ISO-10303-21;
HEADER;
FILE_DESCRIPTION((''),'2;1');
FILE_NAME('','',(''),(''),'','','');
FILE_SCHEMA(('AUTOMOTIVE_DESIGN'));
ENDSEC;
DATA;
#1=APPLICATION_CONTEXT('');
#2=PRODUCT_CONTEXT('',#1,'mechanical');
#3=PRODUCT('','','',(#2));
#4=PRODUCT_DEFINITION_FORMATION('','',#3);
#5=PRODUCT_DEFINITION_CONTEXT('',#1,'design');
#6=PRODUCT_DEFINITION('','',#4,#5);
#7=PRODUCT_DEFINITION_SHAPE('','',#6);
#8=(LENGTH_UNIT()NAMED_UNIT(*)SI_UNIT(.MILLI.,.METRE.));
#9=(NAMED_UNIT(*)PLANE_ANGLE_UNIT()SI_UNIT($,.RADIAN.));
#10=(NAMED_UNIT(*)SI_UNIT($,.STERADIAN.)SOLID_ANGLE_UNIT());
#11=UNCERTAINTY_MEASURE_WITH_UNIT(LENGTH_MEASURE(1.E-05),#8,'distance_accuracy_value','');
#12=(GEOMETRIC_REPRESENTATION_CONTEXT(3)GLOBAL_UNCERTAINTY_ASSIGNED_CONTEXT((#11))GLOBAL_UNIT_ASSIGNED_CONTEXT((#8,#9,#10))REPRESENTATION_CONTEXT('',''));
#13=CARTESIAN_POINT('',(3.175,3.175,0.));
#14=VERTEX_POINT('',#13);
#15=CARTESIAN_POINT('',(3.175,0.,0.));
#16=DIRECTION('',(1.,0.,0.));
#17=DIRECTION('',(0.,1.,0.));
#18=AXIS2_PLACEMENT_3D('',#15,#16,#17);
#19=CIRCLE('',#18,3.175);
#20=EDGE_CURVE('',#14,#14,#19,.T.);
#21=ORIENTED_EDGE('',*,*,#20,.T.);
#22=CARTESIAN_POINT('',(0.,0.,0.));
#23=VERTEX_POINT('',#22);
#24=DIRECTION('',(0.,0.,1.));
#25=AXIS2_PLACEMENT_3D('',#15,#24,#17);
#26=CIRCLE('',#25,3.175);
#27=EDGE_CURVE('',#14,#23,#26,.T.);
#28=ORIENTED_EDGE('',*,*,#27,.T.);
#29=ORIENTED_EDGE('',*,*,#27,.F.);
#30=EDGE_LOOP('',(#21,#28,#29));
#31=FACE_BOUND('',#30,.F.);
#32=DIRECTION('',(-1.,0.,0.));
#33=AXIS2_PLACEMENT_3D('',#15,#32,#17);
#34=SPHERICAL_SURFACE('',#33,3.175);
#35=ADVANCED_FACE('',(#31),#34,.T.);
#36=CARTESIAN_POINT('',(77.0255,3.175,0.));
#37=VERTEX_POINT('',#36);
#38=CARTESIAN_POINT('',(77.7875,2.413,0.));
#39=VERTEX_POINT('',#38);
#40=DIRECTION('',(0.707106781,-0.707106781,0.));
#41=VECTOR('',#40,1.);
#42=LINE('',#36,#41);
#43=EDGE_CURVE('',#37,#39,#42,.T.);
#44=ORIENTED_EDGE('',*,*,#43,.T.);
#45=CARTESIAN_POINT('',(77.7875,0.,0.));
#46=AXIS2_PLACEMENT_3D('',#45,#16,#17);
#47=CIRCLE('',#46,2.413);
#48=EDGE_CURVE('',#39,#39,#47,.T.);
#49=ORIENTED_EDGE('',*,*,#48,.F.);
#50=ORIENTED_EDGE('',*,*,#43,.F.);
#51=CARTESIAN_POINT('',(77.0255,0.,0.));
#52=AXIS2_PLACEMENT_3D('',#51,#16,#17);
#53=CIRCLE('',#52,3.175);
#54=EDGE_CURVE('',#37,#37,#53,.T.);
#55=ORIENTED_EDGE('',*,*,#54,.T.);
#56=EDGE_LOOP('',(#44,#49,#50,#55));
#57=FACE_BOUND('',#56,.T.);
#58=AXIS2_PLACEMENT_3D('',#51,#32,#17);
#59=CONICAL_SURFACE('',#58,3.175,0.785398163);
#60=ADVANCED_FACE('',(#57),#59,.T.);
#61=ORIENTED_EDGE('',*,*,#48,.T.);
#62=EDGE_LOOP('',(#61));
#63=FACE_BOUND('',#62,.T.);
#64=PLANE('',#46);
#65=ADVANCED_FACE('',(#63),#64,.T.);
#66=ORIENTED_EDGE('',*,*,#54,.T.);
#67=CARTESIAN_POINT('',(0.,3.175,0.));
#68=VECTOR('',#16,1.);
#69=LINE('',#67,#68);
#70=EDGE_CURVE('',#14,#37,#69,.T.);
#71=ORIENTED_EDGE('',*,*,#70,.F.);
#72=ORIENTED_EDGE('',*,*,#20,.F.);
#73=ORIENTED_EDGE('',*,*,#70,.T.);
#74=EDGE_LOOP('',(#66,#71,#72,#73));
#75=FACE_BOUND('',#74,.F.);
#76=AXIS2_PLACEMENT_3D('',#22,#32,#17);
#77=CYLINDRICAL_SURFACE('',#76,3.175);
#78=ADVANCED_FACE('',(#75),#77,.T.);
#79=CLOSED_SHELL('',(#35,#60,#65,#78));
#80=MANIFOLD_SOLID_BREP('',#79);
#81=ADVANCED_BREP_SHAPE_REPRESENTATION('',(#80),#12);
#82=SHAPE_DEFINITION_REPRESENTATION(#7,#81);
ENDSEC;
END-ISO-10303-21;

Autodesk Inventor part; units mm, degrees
ref_plane "YZ Plane" through (0, 0, 0) normal (1, 0, 0) x (0, 1, 0)
ref_plane "XZ Plane" through (0, 0, 0) normal (0, 1, 0) x (-1, 0, 0)
ref_plane "XY Plane" through (0, 0, 0) normal (0, 0, 1) x (1, 0, 0)
sketch "Sketch1" plane through (0, 0, 0) normal (1, 0, 0) x (0, 1, 0)
  circle A0 centre (0, 0) radius 3.175
  dimension "d0" = 6.35
extrude "Extrusion1" add sketch "Sketch1" along normal blind 77.7875
fillet "Fillet1" radius 3.175 1 edges at (0, -3.175, 0)
chamfer "Chamfer1" distance 0.762 angle 45 1 edges at (77.7875, -3.175, 0) measured on face at (77.7875, -0.5202, -0.7796)
thread "Thread1" size "1/4-20 UNC" class "2A" standard "ANSI Unified Screw Threads" length 15.24
properties part number "lever arm"
